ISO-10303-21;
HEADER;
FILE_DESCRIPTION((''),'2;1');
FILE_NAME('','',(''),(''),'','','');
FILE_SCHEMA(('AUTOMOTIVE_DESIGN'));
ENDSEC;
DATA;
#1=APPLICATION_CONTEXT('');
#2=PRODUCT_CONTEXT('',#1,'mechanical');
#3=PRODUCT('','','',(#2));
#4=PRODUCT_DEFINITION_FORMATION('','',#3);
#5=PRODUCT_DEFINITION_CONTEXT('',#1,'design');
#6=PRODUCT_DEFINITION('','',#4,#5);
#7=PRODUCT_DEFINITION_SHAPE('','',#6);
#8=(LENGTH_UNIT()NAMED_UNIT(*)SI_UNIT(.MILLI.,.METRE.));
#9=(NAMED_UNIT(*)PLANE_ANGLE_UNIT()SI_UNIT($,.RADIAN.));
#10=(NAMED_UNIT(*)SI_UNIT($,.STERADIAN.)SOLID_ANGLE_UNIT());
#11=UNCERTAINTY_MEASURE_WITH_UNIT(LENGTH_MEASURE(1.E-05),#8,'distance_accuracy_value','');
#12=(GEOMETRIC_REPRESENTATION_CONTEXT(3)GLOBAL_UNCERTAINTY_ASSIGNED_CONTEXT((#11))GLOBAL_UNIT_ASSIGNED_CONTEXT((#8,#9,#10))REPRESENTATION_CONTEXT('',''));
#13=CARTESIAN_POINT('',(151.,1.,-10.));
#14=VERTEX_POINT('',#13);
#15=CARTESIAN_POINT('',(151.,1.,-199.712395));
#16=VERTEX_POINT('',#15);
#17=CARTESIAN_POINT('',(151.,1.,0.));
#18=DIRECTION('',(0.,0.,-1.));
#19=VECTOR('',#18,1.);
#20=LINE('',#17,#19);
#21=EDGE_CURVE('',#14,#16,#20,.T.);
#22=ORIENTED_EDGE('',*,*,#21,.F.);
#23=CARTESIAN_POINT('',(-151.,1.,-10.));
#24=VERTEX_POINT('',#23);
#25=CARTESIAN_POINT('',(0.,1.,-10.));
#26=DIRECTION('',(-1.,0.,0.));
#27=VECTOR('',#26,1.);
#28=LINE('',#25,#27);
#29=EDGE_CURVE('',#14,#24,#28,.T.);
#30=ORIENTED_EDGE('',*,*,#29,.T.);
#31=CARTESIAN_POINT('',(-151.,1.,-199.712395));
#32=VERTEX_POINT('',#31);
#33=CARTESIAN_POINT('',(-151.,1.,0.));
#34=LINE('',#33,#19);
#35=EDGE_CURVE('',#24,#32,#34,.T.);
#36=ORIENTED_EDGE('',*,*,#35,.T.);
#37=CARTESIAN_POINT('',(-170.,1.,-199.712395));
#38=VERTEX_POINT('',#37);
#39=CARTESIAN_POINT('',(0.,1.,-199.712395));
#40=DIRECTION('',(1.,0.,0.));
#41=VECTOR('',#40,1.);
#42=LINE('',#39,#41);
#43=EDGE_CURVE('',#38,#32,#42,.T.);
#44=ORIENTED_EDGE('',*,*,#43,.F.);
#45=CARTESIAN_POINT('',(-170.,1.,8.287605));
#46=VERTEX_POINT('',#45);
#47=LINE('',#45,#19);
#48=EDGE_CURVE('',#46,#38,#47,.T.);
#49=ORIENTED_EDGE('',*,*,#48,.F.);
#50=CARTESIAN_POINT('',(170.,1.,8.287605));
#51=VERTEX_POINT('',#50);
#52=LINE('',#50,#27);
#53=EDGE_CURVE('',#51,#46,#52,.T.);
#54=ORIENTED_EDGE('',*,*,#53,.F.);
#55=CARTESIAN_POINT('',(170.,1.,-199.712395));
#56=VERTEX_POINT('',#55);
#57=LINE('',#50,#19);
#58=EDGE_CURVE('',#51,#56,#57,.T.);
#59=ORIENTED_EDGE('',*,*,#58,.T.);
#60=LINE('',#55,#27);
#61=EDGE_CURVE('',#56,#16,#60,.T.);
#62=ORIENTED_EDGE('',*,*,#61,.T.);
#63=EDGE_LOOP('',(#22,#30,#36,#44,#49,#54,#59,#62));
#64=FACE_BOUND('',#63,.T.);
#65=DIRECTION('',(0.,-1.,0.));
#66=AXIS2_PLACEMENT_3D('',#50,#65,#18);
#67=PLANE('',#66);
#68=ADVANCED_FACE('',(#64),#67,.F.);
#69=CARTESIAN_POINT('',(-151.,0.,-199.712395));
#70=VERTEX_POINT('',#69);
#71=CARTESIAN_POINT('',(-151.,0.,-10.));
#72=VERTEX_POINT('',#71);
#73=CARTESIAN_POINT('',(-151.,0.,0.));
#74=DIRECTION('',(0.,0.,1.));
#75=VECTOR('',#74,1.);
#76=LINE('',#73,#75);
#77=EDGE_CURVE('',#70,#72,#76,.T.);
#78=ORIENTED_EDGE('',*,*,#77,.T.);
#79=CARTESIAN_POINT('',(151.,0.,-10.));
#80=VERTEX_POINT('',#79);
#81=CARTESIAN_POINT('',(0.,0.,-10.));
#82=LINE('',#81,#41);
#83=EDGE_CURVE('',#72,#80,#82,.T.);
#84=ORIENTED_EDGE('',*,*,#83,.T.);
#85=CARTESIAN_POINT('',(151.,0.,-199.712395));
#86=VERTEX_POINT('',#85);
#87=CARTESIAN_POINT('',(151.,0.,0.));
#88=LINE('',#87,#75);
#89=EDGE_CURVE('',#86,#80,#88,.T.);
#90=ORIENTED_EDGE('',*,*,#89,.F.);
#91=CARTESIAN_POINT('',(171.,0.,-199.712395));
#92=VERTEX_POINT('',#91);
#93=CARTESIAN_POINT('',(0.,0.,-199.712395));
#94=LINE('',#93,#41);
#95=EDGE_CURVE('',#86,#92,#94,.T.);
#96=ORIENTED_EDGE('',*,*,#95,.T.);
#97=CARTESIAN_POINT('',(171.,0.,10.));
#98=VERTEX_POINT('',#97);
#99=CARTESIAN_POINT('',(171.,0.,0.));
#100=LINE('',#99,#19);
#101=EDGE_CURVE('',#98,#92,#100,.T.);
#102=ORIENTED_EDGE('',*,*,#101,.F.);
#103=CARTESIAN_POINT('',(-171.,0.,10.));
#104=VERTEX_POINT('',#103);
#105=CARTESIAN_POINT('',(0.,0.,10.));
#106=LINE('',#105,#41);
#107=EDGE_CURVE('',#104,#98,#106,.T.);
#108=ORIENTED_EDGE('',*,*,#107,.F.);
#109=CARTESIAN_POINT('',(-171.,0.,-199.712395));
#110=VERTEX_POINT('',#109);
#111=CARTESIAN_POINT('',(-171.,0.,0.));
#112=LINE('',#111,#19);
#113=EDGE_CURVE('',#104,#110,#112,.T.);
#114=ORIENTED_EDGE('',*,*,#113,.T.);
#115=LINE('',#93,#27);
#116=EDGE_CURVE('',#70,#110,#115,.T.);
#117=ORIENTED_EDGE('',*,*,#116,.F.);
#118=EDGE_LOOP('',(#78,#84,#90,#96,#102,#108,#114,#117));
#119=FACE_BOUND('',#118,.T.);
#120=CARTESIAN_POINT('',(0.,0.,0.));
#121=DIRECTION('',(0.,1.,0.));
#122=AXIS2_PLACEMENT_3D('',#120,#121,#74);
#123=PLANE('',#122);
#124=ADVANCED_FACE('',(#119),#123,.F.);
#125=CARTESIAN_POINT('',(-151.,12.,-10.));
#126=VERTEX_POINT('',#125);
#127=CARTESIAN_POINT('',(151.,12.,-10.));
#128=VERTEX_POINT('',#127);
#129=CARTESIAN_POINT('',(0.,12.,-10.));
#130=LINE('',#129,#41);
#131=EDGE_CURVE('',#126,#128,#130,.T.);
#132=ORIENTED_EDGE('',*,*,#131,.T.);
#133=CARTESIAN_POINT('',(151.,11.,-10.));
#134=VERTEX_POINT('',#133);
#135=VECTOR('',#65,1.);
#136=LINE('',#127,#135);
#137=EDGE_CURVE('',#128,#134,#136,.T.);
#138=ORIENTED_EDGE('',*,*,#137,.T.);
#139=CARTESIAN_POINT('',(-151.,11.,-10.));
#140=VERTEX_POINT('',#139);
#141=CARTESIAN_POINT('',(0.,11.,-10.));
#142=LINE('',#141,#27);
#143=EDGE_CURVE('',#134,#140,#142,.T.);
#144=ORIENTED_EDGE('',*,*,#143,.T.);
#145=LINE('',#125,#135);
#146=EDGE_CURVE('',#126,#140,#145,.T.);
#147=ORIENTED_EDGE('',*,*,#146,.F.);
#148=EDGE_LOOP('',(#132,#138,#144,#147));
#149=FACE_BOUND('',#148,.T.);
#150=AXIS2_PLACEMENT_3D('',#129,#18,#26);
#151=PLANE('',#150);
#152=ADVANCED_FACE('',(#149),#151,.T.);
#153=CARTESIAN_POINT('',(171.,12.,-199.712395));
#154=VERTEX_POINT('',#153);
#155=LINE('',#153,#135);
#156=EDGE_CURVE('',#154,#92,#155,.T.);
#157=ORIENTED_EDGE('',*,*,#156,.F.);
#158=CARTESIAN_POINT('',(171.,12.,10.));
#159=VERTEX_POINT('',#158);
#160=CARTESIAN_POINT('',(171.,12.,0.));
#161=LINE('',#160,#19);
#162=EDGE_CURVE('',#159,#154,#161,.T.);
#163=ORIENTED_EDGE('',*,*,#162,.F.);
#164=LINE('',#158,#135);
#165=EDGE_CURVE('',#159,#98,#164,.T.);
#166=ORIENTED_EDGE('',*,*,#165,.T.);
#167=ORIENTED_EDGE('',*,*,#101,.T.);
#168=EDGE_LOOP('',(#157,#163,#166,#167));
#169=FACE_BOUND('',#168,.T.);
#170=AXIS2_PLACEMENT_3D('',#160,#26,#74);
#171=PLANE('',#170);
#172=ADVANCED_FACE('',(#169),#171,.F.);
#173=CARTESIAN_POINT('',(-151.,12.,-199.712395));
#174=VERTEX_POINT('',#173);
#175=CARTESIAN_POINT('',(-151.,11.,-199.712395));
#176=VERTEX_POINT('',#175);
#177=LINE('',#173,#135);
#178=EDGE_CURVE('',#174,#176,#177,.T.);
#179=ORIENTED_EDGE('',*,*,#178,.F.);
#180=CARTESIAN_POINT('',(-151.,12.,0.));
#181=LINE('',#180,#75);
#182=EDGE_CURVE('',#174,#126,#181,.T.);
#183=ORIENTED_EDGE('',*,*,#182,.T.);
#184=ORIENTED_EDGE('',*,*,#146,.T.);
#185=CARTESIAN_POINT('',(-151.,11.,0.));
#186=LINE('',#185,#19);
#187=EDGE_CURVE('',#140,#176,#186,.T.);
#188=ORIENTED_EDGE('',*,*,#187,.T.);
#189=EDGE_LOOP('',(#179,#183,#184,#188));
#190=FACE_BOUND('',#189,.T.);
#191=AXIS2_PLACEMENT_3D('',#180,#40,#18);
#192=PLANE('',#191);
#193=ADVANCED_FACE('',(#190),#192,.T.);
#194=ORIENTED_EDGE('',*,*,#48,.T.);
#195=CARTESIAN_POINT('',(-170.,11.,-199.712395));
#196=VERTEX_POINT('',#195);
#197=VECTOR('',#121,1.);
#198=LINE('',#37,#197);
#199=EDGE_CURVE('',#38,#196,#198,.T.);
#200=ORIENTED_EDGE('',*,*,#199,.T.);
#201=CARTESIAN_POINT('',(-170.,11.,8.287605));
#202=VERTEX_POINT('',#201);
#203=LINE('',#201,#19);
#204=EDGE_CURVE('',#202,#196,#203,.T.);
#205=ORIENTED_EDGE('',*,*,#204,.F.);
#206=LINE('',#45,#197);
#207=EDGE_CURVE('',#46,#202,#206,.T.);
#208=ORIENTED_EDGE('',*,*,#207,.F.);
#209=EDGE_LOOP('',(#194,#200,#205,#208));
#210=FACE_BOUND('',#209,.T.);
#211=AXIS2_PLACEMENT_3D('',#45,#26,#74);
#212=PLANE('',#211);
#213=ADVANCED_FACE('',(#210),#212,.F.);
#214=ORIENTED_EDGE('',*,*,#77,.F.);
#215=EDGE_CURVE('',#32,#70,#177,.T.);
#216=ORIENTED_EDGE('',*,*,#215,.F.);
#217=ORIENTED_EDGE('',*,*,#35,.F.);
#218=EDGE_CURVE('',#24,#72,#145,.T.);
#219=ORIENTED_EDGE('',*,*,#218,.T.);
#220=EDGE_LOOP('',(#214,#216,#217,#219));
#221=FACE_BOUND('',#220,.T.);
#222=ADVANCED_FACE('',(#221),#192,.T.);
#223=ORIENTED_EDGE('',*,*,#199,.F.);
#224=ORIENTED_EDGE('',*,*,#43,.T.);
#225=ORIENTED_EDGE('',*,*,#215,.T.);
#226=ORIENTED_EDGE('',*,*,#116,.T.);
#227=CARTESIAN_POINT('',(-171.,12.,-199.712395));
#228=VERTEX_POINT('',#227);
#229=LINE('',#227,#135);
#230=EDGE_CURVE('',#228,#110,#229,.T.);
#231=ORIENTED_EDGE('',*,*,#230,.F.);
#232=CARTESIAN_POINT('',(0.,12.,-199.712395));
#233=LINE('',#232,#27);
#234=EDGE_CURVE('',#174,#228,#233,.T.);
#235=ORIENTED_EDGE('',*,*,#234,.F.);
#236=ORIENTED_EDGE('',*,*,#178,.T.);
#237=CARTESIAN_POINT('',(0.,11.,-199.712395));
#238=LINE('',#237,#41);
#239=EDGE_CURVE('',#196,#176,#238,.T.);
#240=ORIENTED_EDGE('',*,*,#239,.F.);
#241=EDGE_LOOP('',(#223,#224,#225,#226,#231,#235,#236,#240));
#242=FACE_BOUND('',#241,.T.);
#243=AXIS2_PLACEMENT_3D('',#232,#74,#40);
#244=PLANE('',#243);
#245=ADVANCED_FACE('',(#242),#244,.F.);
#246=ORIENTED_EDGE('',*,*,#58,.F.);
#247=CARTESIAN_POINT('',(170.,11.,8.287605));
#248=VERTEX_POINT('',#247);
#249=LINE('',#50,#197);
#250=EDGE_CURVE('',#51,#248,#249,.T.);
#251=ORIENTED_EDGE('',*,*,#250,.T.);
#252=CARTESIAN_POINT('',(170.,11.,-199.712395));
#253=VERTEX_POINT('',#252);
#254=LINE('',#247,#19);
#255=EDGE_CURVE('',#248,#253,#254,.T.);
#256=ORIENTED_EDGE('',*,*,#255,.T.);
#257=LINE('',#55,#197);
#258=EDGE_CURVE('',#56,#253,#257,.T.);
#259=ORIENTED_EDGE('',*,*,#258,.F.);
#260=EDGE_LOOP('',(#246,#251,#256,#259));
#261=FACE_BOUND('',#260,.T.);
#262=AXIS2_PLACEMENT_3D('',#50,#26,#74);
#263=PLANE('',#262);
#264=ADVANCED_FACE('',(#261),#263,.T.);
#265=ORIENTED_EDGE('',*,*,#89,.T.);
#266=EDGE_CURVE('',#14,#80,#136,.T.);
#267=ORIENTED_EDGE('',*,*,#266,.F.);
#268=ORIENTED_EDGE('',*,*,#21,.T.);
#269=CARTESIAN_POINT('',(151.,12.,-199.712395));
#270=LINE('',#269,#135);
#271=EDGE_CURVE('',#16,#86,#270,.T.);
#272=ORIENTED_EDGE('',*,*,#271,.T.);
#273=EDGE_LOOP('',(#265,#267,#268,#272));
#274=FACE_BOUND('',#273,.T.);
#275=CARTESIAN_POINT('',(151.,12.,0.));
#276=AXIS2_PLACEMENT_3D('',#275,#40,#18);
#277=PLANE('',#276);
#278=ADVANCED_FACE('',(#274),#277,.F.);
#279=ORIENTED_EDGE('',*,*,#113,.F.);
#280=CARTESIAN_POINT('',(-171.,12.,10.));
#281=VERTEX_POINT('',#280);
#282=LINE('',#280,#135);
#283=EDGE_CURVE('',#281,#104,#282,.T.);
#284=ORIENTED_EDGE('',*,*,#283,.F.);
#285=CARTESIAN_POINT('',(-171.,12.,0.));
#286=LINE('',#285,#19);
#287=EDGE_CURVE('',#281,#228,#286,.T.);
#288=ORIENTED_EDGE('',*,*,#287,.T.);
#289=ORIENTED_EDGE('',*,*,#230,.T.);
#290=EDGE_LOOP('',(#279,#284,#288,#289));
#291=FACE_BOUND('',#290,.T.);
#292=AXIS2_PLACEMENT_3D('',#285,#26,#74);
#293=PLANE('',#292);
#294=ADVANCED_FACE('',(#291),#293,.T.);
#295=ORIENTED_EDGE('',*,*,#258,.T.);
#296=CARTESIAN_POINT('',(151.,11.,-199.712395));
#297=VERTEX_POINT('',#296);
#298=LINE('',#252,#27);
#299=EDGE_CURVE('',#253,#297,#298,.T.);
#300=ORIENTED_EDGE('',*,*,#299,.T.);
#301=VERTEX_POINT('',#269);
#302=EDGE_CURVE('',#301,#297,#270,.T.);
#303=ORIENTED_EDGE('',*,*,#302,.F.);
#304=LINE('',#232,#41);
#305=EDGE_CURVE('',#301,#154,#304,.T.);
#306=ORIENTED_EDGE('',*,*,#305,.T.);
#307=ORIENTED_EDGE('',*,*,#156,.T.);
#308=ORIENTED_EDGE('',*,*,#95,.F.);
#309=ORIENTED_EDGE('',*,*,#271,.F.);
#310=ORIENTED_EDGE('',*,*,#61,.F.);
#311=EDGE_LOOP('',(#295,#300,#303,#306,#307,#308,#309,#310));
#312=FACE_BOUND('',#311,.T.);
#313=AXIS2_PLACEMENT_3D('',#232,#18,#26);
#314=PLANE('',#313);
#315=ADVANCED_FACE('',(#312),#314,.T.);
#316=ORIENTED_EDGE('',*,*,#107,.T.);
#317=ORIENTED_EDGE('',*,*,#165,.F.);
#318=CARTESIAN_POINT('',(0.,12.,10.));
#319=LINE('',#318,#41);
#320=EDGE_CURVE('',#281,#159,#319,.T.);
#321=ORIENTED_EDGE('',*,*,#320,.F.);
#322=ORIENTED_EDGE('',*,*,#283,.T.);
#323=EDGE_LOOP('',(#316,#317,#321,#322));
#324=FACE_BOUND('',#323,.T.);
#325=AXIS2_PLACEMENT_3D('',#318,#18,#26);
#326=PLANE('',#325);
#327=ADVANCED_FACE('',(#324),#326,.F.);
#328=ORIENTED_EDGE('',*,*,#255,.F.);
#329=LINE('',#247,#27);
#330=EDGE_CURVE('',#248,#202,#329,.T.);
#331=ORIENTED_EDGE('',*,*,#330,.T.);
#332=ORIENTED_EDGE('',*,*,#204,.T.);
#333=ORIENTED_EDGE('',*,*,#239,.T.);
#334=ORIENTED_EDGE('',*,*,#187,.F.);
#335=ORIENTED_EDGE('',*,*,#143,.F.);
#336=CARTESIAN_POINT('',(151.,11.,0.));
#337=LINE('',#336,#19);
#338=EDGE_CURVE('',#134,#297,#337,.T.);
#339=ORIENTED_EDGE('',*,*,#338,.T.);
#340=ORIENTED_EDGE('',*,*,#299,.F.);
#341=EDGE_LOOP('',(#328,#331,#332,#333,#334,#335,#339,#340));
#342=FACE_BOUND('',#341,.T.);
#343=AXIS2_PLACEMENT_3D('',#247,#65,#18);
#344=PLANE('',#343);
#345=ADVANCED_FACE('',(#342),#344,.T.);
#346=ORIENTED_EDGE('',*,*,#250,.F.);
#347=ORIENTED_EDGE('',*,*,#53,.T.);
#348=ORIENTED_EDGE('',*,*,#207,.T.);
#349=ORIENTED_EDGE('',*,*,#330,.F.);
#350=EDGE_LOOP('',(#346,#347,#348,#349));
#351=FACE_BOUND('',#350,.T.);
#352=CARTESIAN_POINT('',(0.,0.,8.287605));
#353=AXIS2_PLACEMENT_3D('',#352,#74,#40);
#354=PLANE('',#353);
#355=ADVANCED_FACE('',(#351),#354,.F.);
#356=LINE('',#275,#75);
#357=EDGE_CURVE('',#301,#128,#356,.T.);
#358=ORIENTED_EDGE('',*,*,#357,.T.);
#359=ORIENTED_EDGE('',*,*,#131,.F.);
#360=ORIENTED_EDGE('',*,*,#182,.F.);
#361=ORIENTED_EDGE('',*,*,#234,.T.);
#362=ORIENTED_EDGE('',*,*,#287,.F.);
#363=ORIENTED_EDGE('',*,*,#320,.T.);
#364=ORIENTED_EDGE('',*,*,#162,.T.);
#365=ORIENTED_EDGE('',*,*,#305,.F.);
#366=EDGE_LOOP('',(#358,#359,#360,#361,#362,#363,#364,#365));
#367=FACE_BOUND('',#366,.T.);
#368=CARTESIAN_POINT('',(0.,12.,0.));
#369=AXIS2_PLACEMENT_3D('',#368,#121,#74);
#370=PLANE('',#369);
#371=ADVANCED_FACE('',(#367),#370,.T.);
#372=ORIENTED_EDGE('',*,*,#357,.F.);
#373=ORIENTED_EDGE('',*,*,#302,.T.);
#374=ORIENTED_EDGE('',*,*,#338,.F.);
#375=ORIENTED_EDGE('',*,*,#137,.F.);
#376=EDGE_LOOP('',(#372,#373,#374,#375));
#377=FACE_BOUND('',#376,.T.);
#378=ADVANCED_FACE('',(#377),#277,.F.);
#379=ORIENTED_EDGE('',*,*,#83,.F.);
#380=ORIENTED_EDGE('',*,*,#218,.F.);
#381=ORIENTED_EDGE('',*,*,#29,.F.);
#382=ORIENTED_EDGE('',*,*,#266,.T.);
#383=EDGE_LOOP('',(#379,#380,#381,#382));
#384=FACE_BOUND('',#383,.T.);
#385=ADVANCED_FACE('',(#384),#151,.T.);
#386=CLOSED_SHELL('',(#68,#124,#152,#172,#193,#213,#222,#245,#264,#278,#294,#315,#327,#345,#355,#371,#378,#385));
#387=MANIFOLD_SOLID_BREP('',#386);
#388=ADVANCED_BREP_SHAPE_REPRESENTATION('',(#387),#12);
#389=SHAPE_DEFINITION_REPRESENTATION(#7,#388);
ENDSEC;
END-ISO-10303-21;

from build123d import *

# Parameters (mm, degrees)
SALIENTE_EXTRUIR2_DEPTH = 12
CROQUIS3_W              = 340
CROQUIS3_H              = 10
CORTAR_EXTRUIR1_DEPTH   = 208


with BuildPart() as part:
    # Croquis2 → Saliente-Extruir2 (new body)
    with BuildSketch(Plane(origin=(0, 0, 0), x_dir=(1, 0, 0), z_dir=(0, 1, 0))):
        Polygon((-171, -10), (171, -10), (171, 199.712394883), (151, 199.712394883), (151, 10), (-151, 10), (-151, 199.712394883), (-171, 199.712394883), align=None)
    extrude(amount=SALIENTE_EXTRUIR2_DEPTH)

    # Croquis3 → Cortar-Extruir1 (cut)
    with BuildSketch(Plane(origin=(0, 0, -199.712394883), x_dir=(-1, 0, 0), z_dir=(0, 0, -1))):
        with Locations((0, 6)):
            Rectangle(CROQUIS3_W, CROQUIS3_H)
    extrude(amount=-CORTAR_EXTRUIR1_DEPTH, mode=Mode.SUBTRACT)


solid = part.part
